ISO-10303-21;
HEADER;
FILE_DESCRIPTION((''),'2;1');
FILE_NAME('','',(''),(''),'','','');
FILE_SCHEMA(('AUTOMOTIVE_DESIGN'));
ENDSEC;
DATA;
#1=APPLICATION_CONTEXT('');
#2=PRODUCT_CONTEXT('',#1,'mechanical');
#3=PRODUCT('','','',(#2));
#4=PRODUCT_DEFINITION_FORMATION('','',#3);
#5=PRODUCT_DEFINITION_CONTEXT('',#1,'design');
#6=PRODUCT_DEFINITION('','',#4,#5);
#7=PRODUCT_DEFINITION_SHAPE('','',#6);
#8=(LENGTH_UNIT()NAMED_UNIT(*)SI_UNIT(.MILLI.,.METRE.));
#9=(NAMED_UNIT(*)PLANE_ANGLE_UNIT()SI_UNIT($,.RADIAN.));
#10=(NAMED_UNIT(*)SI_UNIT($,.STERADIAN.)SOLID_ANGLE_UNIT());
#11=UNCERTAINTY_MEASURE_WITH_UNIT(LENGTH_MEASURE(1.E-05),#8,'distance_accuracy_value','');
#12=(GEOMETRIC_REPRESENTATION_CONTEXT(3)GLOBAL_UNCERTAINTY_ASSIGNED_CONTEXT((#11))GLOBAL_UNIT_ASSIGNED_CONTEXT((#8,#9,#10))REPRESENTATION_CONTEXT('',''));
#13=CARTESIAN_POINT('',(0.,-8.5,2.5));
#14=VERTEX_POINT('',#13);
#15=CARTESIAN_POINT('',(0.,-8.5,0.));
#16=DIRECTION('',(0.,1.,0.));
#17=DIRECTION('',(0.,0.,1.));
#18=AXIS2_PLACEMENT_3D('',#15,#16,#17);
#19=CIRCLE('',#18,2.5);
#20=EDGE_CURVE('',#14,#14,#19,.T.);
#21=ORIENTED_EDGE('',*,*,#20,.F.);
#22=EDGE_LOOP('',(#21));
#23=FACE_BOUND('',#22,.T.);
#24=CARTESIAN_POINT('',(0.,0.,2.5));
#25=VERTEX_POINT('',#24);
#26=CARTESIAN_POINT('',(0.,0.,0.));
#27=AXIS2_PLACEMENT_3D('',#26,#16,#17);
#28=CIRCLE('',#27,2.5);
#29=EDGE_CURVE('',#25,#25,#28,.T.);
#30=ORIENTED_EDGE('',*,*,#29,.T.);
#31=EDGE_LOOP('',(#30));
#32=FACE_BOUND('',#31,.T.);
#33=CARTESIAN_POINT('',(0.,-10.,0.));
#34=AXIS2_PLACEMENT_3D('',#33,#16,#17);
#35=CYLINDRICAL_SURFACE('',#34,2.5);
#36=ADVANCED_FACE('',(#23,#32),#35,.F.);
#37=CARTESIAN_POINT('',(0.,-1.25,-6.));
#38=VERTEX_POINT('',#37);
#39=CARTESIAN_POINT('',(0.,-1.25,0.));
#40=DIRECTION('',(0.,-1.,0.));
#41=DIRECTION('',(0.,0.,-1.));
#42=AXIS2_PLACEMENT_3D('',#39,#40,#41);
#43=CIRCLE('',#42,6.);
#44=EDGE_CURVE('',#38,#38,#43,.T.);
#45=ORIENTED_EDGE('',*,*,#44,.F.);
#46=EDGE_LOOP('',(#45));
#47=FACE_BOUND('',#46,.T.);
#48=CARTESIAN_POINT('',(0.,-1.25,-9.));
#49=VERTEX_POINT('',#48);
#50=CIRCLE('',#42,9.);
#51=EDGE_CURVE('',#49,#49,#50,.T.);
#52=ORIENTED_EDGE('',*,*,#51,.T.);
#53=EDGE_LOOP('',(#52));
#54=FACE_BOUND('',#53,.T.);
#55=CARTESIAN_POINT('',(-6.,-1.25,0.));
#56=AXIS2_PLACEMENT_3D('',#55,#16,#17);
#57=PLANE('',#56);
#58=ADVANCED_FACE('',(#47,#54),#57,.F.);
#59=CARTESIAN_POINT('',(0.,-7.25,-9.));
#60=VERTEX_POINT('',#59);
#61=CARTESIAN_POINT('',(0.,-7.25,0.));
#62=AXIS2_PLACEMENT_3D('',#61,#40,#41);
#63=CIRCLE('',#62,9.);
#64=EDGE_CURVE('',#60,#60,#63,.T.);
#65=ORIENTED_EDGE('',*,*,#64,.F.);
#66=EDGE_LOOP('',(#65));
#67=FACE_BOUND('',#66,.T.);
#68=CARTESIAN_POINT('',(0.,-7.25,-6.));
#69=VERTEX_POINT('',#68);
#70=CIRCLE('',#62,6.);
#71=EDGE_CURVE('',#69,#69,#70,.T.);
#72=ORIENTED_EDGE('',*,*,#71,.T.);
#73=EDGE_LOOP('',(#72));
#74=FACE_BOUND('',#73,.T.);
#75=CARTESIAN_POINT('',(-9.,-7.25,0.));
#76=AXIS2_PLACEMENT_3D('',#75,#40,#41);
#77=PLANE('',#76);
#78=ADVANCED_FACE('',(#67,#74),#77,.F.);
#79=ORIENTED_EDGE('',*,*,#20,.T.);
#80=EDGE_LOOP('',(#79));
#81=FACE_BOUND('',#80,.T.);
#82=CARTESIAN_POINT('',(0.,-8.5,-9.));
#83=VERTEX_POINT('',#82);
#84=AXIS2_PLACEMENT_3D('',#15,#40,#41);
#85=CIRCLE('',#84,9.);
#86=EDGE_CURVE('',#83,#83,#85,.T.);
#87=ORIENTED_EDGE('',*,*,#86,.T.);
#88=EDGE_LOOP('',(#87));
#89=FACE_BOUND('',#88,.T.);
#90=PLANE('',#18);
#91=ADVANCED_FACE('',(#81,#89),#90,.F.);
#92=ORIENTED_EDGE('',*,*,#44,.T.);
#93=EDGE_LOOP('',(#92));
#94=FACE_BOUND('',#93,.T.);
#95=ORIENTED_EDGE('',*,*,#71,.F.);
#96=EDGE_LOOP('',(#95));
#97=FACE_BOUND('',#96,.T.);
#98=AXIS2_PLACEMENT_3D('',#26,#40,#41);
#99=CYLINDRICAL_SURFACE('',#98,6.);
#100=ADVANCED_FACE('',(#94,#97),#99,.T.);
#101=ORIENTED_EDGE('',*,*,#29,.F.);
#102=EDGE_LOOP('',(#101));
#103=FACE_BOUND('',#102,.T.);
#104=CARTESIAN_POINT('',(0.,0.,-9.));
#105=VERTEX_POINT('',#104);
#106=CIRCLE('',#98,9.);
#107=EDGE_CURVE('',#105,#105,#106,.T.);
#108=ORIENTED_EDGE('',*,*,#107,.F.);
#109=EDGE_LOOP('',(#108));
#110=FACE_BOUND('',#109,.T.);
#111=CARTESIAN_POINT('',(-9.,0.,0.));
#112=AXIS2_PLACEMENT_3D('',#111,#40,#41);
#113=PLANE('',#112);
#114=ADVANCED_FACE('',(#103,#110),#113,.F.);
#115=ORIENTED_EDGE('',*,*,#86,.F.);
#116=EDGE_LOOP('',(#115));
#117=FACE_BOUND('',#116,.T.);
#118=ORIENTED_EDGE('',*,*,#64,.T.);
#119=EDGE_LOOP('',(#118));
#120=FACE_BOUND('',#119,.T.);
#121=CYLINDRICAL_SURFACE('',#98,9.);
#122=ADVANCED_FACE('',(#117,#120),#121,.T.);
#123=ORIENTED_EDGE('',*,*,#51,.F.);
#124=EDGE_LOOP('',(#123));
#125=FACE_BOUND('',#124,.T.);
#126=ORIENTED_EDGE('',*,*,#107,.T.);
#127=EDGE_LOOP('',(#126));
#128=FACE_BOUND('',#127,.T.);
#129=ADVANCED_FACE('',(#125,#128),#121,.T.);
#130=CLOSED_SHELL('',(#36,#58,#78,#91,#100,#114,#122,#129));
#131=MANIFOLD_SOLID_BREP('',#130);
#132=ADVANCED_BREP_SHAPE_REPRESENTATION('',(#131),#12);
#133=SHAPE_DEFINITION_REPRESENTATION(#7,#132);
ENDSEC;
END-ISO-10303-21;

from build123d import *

# Parameters (mm, degrees)
SKETCH_2_R          = 2.5
CUT_EXTRUDE_1_DEPTH = 10


with BuildPart() as part:
    # 草图1 → 旋转1 (revolve)
    with BuildSketch(Plane.XY, mode=Mode.PRIVATE) as revolve_1_sk:
        Polygon((0, -8.5), (-9, -8.5), (-9, -7.25), (-6, -7.25), (-6, -1.25), (-9, -1.25), (-9, 0), (0, 0), align=None)
    revolve(revolve_1_sk.sketch.rotate(Axis((0, 0, 0), (0, 1, 0)), 270), axis=Axis((0, 0, 0), (0, 1, 0)))

    # 草图2 → 切除-拉伸1 (cut)
    with BuildSketch(Plane(origin=(0, 0, 0), x_dir=(1, 0, 0), z_dir=(0, 1, 0))):
        with Locations(Location((0, 0, 0), (0, 0, 270))):
            Circle(SKETCH_2_R)
    extrude(amount=-CUT_EXTRUDE_1_DEPTH, mode=Mode.SUBTRACT)


solid = part.part
